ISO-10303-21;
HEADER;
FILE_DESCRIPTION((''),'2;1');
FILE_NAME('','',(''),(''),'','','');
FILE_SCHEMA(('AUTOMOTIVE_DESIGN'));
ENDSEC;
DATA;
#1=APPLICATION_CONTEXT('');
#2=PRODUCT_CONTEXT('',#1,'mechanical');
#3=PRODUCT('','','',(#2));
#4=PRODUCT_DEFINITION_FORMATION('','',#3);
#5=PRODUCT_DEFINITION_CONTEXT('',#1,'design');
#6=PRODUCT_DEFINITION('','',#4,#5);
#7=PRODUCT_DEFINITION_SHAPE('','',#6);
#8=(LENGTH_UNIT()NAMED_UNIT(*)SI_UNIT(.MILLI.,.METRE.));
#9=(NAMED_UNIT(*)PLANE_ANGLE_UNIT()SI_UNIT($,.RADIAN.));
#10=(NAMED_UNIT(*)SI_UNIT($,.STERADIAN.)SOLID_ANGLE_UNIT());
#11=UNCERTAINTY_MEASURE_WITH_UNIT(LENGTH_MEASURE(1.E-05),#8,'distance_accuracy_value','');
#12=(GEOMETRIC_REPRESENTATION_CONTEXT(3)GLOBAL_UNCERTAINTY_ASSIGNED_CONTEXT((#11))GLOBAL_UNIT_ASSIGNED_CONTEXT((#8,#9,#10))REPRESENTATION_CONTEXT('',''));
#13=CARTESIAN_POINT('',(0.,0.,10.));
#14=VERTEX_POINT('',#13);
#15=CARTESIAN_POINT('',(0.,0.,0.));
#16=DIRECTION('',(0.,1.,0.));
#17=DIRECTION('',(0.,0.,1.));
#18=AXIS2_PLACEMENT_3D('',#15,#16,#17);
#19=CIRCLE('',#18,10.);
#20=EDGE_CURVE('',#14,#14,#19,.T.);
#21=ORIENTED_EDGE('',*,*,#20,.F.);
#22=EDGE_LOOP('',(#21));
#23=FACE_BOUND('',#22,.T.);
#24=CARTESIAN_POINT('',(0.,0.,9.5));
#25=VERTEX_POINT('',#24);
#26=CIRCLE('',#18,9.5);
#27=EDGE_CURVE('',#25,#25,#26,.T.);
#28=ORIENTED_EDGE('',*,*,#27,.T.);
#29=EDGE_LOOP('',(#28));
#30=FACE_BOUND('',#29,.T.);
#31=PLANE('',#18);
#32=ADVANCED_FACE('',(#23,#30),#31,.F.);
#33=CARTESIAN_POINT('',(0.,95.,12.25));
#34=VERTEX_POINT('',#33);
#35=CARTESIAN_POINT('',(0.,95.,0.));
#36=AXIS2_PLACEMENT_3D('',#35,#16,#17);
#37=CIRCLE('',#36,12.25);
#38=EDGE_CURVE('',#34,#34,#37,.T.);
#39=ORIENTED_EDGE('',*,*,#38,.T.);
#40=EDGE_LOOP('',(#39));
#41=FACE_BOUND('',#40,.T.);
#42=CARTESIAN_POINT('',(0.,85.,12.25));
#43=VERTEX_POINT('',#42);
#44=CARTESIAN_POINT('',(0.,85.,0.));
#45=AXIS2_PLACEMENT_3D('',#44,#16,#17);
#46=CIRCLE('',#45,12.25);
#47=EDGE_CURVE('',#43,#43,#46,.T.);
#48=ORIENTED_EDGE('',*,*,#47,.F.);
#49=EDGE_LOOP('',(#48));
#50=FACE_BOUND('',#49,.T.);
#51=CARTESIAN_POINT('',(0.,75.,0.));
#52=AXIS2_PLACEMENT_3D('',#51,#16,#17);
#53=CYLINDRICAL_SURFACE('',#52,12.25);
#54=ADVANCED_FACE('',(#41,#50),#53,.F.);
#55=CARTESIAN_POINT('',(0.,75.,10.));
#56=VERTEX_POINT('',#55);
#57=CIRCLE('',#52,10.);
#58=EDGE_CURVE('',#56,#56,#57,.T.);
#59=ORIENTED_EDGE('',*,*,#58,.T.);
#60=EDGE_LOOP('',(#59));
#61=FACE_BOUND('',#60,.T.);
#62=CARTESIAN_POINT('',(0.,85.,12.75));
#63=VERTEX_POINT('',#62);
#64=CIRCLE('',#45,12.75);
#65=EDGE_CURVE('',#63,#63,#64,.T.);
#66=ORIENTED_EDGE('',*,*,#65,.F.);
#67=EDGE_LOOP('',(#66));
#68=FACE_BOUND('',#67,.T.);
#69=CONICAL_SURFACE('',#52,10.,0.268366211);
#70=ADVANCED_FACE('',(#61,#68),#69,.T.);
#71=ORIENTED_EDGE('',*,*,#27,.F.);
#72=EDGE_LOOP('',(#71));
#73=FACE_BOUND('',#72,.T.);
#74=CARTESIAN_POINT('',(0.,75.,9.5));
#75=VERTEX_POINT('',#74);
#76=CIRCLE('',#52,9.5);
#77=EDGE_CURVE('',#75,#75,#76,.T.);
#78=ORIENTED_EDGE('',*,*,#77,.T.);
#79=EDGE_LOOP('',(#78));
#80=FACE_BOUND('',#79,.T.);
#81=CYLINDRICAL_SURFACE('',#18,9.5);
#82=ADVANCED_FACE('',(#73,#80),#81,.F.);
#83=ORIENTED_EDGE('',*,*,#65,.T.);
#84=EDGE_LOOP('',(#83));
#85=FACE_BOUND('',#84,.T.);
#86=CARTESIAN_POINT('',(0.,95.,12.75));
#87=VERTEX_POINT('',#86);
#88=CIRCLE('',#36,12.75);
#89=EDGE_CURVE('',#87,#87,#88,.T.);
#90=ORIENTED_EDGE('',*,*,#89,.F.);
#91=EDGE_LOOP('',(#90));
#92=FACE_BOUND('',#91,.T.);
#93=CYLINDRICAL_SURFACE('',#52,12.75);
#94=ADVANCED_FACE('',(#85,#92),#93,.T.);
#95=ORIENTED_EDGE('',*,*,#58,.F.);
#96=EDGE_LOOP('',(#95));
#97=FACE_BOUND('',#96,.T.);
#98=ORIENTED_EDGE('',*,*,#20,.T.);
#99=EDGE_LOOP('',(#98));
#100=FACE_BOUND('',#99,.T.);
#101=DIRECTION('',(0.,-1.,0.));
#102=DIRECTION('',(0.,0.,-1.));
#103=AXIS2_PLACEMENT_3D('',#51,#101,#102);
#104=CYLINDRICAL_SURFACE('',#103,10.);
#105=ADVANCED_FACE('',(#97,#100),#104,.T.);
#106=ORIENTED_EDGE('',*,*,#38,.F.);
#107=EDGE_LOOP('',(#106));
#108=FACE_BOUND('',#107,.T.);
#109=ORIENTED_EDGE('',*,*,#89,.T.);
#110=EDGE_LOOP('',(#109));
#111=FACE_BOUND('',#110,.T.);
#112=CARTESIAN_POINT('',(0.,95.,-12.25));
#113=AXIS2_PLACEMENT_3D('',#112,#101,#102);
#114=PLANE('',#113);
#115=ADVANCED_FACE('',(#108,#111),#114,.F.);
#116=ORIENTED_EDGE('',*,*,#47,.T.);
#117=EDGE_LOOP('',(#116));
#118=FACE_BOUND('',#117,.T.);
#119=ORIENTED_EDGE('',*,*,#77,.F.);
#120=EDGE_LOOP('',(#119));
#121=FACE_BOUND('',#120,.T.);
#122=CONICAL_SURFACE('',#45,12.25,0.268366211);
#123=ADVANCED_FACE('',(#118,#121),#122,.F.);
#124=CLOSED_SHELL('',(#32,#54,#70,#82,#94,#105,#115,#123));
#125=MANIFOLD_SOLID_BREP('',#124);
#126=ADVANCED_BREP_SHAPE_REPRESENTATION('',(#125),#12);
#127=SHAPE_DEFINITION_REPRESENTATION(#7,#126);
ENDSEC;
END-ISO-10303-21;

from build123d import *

# Parameters (mm, degrees)
SKETCH1_R           = 10
BOSS_EXTRUDE1_DEPTH = 75
SKETCH2_R           = 9.5
CUT_EXTRUDE1_DEPTH  = 77.321687612
SKETCH4_W           = 0.5
SKETCH4_H           = 10


with BuildPart() as part:
    # Sketch1 → Boss-Extrude1 (new body)
    with BuildSketch(Plane(origin=(0, 0, 0), x_dir=(1, 0, 0), z_dir=(0, 1, 0))):
        with Locations(Location((0, 0, 0), (0, 0, 270))):
            Circle(SKETCH1_R)
    extrude(amount=BOSS_EXTRUDE1_DEPTH)

    # Sketch2 → Cut-Extrude1 (cut, through all)
    with BuildSketch(Plane(origin=(0, 75, 0), x_dir=(1, 0, 0), z_dir=(0, 1, 0))):
        with Locations(Location((0, 0, 0), (0, 0, 270))):
            Circle(SKETCH2_R)
    extrude(amount=-CUT_EXTRUDE1_DEPTH, mode=Mode.SUBTRACT)

    # Sketch3 → Revolve1 (revolve)
    with BuildSketch(Plane(origin=(0, 0, 0), x_dir=(0, 0, -1), z_dir=(1, 0, 0)), mode=Mode.PRIVATE) as revolve1_sk:
        Polygon((10, 75), (12.75, 85), (12.25, 85), (9.5, 75), align=None)
    revolve(revolve1_sk.sketch.rotate(Axis((0, 75, 0), (0, -1, 0)), 180), axis=Axis((0, 75, 0), (0, -1, 0)))

    # Sketch4 → Revolve2 (revolve)
    with BuildSketch(Plane(origin=(0, 0, 0), x_dir=(0, 0, -1), z_dir=(1, 0, 0)), mode=Mode.PRIVATE) as revolve2_sk:
        with Locations((12.5, 90)):
            Rectangle(SKETCH4_W, SKETCH4_H)
    revolve(revolve2_sk.sketch.rotate(Axis((0, 75, 0), (0, -1, 0)), 180), axis=Axis((0, 75, 0), (0, -1, 0)))


solid = part.part
